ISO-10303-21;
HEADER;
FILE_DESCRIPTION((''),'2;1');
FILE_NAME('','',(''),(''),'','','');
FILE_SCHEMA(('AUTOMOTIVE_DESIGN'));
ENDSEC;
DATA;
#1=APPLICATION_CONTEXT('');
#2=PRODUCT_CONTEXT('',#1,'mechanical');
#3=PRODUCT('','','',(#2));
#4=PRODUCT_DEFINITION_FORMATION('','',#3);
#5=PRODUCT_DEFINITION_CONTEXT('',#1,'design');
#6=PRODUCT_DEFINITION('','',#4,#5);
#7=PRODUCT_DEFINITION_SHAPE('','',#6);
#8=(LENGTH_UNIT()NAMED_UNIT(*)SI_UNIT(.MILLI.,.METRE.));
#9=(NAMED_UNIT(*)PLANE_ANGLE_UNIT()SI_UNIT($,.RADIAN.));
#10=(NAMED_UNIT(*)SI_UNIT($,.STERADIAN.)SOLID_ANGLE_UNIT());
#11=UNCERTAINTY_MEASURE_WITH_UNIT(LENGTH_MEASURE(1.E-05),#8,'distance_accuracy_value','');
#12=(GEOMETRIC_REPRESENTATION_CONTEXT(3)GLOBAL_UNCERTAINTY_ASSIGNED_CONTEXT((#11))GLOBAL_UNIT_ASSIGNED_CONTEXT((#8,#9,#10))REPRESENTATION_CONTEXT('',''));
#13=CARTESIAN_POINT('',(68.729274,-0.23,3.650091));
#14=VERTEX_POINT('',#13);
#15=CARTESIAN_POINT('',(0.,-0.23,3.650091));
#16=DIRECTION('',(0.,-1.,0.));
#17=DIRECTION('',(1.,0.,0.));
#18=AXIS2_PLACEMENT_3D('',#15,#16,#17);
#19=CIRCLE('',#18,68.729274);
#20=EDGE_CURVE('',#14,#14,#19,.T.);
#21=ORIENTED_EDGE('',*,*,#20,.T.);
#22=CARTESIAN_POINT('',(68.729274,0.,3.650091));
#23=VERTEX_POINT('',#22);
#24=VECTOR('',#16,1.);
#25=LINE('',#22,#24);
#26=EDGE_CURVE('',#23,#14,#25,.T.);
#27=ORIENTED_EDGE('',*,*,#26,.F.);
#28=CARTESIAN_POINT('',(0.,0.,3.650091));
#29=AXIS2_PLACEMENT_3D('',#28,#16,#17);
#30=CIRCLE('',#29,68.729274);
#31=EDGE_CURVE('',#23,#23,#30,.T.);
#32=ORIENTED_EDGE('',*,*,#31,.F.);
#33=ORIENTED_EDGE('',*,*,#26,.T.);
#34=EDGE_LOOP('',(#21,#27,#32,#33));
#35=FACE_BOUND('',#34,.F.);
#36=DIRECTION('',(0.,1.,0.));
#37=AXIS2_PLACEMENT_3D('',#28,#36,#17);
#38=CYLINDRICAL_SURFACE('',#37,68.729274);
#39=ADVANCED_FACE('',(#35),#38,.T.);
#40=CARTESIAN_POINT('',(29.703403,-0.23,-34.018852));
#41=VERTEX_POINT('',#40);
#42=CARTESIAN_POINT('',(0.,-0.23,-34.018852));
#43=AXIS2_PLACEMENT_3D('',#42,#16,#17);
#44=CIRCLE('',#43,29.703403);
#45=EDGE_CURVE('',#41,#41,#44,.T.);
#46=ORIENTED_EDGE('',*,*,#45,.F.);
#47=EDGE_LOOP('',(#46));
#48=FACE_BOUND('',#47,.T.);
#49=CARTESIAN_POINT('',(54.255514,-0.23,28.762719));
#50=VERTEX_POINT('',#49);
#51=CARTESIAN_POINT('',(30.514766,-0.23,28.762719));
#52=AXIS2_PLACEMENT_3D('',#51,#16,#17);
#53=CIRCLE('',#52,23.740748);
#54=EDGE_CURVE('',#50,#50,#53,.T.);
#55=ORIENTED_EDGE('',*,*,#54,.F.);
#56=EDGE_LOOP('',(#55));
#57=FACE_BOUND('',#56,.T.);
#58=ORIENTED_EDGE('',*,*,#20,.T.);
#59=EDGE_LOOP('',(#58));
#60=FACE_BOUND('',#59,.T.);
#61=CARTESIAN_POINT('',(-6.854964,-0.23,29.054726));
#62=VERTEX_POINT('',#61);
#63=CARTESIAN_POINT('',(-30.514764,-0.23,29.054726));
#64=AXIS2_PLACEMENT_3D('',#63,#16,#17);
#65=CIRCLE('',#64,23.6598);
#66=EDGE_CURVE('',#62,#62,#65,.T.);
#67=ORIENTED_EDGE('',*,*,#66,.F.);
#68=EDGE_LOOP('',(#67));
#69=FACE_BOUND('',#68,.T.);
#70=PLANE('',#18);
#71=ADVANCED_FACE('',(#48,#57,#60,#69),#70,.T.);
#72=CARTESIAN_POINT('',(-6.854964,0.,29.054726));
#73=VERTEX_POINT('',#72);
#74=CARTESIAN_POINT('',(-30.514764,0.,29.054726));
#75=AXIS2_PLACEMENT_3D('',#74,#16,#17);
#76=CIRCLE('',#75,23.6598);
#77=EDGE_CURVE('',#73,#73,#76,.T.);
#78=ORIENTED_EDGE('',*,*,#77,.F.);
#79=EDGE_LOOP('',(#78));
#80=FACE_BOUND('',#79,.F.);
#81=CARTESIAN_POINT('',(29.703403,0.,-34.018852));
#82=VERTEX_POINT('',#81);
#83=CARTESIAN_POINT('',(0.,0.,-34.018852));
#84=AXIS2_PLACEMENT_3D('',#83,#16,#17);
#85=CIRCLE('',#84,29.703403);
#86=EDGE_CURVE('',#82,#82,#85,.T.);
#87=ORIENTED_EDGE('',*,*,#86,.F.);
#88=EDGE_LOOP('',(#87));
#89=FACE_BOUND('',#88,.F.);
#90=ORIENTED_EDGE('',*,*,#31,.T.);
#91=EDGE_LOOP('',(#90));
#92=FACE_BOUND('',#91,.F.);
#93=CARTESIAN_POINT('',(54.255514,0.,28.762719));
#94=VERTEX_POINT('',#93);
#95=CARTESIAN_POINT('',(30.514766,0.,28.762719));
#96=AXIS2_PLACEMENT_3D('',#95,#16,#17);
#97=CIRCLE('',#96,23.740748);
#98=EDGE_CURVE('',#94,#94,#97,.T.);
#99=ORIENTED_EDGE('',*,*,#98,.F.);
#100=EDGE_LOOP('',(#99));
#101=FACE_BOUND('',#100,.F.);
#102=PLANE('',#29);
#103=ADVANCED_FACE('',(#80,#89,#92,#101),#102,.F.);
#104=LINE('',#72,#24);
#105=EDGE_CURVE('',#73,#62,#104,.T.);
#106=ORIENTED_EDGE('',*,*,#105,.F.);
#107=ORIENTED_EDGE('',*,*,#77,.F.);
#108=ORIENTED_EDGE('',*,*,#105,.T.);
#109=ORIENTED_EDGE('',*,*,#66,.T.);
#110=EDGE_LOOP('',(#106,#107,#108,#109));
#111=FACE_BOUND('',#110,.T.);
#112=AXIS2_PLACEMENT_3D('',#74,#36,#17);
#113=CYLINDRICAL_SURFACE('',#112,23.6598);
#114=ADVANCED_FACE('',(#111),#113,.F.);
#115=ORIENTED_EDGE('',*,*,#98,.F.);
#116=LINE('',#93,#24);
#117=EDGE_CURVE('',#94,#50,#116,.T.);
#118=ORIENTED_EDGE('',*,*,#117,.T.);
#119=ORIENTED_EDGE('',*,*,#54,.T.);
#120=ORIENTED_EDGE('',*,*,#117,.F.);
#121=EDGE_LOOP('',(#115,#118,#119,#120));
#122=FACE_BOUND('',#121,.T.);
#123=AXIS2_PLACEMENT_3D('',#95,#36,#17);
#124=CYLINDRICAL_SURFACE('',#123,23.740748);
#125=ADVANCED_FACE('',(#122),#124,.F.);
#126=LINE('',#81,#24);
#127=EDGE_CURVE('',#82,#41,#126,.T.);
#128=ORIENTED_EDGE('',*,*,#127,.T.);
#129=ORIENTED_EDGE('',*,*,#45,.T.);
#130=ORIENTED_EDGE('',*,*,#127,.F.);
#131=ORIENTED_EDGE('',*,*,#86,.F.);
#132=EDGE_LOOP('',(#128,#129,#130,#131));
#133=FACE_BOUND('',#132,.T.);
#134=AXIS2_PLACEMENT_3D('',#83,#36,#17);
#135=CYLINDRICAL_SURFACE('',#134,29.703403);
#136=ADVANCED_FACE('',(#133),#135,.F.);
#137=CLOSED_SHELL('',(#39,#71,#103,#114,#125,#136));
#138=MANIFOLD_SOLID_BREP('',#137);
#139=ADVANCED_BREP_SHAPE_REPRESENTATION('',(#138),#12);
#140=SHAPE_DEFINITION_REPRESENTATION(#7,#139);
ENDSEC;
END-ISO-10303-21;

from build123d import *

# Parameters (mm, degrees)
F0_R     = 68.729274
F0_R_2   = 29.703403
F0_R_3   = 23.6598
F0_R_4   = 23.740748
F1_DEPTH = 0.23


with BuildPart() as f1:
    # F0 (on Front) → F1 (new body)
    with BuildSketch(Plane.XZ):
        with Locations((0, 3.650091)):
            Circle(F0_R)
        with Locations((0, -34.018852)):
            Circle(F0_R_2, mode=Mode.SUBTRACT)
        with Locations((-30.514764, 29.054726)):
            Circle(F0_R_3, mode=Mode.SUBTRACT)
        with Locations((30.514766, 28.762719)):
            Circle(F0_R_4, mode=Mode.SUBTRACT)
    extrude(amount=F1_DEPTH)


solid = f1.part
